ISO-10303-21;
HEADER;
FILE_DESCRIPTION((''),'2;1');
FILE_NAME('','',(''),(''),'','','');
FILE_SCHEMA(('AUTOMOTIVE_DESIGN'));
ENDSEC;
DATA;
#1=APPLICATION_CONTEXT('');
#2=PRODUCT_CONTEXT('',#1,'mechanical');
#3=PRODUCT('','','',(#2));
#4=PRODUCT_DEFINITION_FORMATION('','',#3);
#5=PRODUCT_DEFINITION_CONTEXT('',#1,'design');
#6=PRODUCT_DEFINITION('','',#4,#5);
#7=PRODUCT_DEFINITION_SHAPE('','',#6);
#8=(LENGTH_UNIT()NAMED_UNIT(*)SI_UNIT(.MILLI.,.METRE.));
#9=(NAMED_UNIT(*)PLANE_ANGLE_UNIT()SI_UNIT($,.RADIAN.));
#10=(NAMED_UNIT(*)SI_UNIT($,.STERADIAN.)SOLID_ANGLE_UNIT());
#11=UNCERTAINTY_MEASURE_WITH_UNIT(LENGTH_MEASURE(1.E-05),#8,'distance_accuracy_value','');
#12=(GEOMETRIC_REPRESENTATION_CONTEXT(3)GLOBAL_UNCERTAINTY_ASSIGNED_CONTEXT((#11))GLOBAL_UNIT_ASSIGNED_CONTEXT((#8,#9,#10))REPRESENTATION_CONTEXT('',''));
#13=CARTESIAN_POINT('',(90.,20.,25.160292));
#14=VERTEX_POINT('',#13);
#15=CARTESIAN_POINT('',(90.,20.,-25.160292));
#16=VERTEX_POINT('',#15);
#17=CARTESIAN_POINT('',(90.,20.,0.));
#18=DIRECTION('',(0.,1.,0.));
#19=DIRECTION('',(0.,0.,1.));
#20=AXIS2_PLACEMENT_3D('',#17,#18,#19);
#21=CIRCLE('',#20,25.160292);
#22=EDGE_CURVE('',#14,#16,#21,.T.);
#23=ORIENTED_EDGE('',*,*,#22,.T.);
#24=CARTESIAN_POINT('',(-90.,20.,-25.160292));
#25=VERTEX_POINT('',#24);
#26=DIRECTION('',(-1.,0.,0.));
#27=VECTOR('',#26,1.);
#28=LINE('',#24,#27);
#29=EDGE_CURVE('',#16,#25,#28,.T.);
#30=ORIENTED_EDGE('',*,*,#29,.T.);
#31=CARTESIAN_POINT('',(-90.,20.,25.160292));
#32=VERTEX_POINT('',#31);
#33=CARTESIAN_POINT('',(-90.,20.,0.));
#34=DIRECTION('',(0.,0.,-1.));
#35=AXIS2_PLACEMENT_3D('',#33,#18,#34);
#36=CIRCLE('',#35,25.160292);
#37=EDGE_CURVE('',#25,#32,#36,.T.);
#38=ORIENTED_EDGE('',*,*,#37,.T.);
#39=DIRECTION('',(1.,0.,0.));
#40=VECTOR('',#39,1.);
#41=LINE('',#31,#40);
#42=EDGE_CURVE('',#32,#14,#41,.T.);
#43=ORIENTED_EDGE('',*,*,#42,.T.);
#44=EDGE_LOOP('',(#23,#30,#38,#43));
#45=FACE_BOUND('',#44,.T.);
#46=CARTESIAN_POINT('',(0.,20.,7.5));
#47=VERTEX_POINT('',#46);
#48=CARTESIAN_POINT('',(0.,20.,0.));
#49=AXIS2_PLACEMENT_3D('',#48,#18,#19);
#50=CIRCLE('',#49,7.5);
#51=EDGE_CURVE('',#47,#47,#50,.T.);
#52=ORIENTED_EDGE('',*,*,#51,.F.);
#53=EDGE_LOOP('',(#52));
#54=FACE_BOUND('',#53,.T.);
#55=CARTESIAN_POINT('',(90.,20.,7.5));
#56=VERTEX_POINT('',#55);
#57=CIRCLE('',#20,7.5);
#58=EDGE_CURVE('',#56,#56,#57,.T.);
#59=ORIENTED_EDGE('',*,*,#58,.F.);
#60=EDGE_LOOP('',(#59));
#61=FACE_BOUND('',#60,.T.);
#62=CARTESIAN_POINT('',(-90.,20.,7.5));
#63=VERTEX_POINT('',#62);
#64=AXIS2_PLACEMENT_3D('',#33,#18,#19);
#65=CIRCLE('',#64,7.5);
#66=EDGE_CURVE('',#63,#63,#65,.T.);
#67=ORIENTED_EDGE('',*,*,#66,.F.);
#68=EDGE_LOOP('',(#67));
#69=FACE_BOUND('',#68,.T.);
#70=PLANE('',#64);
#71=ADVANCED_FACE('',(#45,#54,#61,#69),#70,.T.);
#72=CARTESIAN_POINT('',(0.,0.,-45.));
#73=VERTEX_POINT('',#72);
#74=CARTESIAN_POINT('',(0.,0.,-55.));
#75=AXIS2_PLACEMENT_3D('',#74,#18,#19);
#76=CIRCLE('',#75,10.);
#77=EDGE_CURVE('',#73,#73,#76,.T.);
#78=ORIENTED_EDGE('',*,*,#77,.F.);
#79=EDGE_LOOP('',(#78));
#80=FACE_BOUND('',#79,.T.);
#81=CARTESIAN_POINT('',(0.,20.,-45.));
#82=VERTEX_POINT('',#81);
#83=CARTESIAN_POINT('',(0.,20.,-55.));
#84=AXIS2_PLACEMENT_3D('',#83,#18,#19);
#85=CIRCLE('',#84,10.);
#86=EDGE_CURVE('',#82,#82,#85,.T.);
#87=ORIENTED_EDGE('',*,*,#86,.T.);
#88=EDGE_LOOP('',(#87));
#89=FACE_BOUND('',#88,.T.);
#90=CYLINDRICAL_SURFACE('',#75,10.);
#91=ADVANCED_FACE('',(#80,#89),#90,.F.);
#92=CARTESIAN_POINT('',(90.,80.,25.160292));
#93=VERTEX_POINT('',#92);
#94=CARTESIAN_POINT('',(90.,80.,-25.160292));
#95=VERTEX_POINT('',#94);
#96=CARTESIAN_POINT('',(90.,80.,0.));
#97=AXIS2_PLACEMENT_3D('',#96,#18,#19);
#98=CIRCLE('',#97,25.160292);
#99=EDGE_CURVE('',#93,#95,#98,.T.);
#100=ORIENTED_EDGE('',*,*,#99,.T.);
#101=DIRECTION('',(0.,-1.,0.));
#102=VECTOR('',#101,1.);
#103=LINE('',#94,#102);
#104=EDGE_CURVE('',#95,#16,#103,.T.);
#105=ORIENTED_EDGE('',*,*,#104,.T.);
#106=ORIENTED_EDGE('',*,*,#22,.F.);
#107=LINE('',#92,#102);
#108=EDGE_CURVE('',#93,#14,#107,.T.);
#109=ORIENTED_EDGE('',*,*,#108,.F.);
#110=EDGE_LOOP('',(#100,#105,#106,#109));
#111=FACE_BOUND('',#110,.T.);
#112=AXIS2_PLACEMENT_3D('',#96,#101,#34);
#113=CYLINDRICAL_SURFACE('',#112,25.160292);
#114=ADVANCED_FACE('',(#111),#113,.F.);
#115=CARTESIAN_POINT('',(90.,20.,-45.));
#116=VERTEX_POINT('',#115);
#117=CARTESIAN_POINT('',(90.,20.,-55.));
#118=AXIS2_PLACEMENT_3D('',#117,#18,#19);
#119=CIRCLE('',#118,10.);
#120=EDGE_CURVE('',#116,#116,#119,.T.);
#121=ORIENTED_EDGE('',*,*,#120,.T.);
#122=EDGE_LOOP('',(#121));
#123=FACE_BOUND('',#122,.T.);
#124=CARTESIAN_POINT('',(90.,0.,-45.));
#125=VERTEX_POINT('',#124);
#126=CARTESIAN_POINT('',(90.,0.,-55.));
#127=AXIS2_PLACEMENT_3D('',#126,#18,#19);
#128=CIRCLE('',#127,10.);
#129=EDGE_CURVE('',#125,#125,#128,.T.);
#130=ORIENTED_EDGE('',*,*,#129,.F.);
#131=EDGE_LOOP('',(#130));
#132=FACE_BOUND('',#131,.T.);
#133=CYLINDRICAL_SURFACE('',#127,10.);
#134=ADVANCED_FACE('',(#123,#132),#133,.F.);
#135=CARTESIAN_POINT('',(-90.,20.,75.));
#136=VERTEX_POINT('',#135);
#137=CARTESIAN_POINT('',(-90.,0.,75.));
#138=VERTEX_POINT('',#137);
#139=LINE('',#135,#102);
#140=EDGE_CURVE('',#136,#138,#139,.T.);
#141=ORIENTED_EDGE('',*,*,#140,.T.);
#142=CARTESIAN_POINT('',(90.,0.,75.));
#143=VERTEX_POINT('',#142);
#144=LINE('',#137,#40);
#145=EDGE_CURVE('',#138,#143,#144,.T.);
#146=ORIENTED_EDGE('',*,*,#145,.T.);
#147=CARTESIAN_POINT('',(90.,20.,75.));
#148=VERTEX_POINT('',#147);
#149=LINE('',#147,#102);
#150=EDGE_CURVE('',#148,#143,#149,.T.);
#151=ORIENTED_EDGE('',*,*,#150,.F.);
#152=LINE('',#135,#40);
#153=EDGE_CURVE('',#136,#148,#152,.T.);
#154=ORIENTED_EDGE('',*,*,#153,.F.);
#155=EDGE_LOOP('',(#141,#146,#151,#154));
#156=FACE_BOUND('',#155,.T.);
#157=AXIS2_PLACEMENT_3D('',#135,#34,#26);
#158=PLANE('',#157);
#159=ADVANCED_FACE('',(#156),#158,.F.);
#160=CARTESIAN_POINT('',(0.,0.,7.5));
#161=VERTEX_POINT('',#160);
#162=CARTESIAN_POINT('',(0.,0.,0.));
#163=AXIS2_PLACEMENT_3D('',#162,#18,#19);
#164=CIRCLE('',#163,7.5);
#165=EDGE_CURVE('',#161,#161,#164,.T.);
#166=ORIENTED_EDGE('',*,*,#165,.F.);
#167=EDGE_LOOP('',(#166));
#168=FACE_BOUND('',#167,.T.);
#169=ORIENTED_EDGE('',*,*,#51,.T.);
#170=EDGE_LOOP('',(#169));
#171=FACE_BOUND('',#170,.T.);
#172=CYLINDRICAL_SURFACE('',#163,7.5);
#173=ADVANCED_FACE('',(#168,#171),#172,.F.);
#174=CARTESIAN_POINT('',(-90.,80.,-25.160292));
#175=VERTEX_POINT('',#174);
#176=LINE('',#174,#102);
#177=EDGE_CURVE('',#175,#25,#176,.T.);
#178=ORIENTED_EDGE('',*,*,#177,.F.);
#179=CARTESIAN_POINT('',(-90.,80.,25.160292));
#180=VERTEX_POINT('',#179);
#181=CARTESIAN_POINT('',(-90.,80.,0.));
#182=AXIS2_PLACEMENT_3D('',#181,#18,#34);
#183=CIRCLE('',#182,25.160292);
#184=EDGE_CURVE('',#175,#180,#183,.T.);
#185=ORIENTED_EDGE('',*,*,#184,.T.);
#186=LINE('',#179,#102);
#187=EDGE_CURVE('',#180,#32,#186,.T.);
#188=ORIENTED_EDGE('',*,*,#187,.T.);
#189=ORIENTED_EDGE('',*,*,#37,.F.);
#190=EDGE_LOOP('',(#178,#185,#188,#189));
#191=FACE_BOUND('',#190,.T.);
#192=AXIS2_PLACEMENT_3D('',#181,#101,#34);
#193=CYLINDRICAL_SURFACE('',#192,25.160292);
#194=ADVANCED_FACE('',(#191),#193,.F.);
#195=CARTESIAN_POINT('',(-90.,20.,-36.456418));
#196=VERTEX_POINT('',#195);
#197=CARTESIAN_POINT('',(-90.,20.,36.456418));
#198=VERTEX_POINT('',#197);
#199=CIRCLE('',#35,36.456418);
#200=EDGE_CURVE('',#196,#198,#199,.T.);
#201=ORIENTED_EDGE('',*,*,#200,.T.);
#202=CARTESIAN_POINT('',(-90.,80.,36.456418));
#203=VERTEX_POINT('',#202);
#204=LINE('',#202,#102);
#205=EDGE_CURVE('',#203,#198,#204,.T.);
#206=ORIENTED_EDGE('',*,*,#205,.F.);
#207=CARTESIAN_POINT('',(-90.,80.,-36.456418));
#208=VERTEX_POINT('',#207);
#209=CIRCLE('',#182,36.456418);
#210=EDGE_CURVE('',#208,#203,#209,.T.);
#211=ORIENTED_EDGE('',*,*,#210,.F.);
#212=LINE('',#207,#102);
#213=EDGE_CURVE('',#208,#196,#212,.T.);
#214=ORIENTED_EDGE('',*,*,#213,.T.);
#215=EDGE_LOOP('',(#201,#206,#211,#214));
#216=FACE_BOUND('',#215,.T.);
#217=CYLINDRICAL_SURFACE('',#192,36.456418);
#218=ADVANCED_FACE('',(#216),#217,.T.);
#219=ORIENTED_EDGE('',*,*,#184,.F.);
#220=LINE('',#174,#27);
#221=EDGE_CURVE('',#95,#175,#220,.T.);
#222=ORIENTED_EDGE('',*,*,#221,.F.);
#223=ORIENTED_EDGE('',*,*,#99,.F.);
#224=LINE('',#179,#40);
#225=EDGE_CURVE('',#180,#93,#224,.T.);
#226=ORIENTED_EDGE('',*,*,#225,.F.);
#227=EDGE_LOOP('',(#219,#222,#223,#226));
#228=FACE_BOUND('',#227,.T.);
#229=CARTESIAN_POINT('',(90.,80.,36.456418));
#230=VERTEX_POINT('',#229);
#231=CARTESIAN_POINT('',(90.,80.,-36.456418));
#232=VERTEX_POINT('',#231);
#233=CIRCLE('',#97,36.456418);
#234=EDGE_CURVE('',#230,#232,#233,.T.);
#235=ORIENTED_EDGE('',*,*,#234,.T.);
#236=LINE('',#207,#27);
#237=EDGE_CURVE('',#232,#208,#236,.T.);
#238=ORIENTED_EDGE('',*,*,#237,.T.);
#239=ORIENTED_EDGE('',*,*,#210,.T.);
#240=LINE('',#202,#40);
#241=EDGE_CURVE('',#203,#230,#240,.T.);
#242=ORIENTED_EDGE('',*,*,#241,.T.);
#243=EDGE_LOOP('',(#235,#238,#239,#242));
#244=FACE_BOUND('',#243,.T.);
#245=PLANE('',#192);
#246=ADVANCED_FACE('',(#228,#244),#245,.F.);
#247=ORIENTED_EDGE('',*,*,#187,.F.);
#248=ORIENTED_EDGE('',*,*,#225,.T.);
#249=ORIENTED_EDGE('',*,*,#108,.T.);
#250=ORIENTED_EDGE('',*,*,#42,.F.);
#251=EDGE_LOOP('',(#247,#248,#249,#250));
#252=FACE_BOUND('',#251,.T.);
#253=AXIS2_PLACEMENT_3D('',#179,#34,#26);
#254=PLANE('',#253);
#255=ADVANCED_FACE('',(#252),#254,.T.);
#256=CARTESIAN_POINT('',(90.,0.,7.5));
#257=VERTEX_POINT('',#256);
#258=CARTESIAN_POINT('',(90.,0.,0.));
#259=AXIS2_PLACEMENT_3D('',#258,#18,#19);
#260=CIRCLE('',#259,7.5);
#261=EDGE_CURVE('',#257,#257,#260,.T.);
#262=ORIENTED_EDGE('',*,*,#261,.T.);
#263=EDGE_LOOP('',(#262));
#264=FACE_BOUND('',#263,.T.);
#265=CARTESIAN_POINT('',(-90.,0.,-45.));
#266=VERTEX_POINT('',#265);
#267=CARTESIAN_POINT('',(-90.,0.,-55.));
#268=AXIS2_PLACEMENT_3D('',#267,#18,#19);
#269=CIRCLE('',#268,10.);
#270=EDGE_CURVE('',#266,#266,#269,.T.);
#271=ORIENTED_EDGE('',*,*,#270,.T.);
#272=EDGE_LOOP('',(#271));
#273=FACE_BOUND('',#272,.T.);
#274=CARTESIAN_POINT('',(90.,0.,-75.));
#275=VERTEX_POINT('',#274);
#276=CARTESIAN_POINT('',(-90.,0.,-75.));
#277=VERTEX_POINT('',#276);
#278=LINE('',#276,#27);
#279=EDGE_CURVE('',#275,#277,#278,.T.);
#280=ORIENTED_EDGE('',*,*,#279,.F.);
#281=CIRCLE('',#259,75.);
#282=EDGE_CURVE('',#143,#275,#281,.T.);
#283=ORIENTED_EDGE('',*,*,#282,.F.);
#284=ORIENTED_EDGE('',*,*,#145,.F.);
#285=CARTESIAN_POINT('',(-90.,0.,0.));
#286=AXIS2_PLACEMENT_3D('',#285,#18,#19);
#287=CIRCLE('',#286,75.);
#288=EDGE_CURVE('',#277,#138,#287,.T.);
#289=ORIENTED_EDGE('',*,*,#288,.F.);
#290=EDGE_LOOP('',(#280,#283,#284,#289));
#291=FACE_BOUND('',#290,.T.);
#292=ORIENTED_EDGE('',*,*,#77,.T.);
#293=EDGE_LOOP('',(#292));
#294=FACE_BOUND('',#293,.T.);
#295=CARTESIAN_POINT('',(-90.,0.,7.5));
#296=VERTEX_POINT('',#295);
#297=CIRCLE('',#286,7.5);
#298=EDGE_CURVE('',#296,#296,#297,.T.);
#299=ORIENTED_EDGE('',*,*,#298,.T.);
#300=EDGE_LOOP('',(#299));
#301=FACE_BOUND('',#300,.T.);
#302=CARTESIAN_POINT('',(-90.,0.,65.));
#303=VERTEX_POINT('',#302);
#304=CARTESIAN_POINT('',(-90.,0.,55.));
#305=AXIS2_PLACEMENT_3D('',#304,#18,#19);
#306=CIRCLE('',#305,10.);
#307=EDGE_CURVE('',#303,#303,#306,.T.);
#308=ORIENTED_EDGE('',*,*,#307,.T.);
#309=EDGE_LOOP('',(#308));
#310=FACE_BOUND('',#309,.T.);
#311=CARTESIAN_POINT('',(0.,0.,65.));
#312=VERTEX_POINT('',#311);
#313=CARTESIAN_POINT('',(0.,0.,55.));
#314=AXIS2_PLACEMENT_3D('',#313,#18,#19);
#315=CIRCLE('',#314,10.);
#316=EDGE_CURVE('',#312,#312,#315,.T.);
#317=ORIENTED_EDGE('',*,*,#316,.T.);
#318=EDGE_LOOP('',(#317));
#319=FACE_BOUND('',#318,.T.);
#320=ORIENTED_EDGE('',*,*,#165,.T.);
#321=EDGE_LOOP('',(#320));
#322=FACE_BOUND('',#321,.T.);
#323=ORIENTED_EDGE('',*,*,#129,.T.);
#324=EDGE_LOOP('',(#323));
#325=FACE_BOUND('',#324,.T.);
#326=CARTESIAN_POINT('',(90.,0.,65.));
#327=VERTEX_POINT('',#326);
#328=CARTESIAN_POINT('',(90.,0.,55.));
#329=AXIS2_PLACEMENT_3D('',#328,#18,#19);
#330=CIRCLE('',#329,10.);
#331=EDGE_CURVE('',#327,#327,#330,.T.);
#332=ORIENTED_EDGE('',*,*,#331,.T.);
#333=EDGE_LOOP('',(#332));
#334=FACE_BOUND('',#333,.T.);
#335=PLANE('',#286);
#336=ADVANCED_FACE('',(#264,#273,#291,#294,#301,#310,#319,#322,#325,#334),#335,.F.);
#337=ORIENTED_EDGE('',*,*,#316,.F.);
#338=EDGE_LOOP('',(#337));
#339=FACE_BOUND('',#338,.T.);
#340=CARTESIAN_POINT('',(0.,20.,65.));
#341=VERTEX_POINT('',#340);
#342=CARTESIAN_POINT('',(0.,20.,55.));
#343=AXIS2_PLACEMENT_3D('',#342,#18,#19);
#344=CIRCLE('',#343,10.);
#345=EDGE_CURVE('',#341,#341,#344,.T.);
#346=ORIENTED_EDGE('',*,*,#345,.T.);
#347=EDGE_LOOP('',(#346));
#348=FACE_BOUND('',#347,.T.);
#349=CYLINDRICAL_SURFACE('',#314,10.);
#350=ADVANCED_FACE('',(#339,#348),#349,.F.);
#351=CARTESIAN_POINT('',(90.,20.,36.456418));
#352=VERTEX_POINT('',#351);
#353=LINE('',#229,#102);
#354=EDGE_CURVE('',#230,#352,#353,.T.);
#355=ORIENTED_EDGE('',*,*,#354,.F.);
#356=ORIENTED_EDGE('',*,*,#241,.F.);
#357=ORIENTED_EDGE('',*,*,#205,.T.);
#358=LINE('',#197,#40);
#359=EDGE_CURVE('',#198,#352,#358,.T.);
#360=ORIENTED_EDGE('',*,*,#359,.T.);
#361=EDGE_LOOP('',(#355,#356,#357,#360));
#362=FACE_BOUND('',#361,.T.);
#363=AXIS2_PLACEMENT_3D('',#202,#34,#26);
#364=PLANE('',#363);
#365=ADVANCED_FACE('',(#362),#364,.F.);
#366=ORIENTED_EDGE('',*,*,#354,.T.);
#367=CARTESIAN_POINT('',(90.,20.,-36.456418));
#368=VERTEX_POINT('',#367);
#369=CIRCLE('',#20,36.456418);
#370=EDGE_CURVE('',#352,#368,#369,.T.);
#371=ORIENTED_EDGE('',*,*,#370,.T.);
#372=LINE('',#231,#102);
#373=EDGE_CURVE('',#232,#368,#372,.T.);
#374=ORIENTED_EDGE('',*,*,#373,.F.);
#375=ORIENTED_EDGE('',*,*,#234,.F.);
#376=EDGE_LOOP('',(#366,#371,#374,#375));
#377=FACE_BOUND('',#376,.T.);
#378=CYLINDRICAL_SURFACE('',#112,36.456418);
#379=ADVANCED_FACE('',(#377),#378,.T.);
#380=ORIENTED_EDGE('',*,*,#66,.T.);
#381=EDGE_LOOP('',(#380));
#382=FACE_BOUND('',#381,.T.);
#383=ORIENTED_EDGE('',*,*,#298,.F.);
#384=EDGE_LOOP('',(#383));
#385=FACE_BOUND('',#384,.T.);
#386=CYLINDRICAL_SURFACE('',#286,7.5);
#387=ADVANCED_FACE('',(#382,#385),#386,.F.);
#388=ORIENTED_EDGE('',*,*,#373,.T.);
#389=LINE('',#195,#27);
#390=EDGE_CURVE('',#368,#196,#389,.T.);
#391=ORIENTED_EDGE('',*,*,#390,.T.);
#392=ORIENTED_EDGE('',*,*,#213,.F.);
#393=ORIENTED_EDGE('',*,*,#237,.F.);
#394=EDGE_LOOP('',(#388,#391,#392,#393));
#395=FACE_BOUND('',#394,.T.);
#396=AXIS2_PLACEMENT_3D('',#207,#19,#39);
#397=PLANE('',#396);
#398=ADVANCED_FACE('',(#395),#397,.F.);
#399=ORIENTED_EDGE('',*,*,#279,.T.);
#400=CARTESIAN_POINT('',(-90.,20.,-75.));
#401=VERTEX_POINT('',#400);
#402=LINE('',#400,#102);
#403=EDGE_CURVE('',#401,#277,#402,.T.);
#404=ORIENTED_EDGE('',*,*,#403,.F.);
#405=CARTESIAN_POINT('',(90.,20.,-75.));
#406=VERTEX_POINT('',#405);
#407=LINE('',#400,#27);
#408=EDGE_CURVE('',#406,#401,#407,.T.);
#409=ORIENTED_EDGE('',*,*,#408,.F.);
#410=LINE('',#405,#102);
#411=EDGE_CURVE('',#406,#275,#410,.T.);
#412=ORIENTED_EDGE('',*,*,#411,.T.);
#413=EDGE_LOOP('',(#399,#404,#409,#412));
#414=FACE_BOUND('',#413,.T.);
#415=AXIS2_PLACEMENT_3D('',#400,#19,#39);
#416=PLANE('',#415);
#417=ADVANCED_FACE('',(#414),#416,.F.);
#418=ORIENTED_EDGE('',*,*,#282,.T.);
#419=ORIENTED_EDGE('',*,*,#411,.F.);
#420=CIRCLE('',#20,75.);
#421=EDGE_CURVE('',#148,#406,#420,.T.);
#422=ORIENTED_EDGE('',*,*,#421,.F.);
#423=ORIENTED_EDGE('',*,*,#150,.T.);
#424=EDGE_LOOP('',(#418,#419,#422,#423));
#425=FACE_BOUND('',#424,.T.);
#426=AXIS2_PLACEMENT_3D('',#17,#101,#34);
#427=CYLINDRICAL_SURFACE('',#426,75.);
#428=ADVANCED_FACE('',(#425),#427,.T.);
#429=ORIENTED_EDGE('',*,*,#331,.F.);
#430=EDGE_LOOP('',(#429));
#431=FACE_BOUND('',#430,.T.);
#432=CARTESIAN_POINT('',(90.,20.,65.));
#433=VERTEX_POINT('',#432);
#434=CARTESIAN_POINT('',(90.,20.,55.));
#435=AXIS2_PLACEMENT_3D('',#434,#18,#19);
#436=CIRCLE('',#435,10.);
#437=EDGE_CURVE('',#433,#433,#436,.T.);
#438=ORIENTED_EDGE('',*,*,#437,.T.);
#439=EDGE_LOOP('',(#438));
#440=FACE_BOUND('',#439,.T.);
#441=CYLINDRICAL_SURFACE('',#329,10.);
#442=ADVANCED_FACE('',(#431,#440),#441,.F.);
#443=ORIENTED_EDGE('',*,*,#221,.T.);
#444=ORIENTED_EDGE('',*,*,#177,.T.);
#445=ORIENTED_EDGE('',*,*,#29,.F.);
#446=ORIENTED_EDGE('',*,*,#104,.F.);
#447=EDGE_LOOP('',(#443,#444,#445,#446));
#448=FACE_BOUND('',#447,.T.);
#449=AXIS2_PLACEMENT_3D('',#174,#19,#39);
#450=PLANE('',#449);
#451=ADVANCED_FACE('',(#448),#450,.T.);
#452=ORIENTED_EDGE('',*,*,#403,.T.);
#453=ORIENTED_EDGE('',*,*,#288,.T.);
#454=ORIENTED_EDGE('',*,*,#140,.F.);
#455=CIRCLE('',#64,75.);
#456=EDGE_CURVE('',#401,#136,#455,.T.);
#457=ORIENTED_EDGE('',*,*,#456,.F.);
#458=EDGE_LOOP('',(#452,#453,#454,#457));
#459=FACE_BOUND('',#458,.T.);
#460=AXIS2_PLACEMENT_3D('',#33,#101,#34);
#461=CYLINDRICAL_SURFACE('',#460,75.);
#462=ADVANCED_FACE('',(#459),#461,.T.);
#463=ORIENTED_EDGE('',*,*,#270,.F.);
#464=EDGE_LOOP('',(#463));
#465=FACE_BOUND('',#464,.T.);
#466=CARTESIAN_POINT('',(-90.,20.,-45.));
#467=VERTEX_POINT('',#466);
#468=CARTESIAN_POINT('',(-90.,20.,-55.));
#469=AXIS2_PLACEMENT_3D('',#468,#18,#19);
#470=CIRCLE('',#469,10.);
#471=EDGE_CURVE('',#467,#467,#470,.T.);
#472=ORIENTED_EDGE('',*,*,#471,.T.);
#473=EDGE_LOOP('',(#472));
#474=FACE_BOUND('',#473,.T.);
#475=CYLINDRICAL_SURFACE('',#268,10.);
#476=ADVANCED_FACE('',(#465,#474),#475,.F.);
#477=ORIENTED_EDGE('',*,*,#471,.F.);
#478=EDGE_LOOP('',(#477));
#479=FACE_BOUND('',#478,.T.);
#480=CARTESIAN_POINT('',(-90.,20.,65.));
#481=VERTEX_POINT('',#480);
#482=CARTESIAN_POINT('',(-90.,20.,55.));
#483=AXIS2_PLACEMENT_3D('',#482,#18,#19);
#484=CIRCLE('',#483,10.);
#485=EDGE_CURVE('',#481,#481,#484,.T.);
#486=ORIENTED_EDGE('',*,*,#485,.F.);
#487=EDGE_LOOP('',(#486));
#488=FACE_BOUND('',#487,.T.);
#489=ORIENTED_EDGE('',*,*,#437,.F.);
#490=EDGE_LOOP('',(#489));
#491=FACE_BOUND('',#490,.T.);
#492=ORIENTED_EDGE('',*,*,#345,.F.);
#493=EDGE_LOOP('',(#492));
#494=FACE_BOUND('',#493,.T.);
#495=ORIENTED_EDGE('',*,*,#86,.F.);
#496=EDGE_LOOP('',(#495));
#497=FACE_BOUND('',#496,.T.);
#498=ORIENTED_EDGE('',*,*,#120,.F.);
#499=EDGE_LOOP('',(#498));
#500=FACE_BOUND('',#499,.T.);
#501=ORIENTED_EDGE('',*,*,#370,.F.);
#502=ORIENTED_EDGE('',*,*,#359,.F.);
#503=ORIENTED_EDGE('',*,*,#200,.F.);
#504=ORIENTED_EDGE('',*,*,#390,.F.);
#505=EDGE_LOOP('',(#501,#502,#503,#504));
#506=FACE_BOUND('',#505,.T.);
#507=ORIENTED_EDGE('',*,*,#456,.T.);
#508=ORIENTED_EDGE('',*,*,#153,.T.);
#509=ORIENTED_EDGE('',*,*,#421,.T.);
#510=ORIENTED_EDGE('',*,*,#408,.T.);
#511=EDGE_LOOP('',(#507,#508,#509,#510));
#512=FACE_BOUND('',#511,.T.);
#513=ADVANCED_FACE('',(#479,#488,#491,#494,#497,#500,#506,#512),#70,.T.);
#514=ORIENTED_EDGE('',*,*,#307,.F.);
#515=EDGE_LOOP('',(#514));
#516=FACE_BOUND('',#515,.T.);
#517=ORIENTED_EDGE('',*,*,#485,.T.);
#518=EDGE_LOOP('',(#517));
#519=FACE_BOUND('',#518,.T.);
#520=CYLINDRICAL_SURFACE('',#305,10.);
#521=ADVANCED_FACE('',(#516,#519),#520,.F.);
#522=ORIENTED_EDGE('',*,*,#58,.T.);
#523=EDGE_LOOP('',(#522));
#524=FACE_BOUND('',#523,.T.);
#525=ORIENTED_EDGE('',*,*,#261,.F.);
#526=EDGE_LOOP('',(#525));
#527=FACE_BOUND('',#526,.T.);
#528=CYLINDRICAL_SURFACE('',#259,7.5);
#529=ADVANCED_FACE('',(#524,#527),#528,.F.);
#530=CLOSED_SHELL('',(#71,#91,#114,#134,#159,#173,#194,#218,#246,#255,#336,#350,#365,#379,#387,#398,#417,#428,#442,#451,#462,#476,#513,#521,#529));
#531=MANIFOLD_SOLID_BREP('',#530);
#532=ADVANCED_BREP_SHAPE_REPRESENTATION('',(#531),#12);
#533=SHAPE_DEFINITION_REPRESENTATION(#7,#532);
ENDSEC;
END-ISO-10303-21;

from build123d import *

# Parameters (mm, degrees)
BOSS_EXTRUDE1_DEPTH = 20
SKETCH2_R           = 10
CUT_EXTRUDE1_DEPTH  = 20
LPATTERN1_COUNT     = 3
LPATTERN1_PITCH     = 90
SKETCH4_R           = 10
CUT_EXTRUDE2_DEPTH  = 20
LPATTERN2_COUNT     = 3
LPATTERN2_PITCH     = 90
SKETCH5_R           = 7.5
CUT_EXTRUDE4_DEPTH  = 20
LPATTERN4_COUNT     = 3
LPATTERN4_PITCH     = 90
BOSS_EXTRUDE3_DEPTH = 60


with BuildPart() as part:
    # Sketch1 → Boss-Extrude1 (new body)
    with BuildSketch(Plane(origin=(0, 0, 0), x_dir=(1, 0, 0), z_dir=(0, 1, 0))):
        with BuildLine():
            Line((-90, -75), (90, -75))
            ThreePointArc((90, -75), (165, 0), (90, 75))
            Line((90, 75), (-90, 75))
            ThreePointArc((-90, 75), (-165, 0), (-90, -75))
        make_face()
    extrude(amount=BOSS_EXTRUDE1_DEPTH)

    # Sketch2 → Cut-Extrude1 (cut)
    with BuildSketch(Plane(origin=(0, 20, 0), x_dir=(1, 0, 0), z_dir=(0, 1, 0))):
        with Locations((-90, 55)):
            Circle(SKETCH2_R)
    cut_extrude1 = extrude(amount=-CUT_EXTRUDE1_DEPTH, mode=Mode.SUBTRACT)

    # LPattern1: Cut-Extrude1 ×3
    with Locations(*[(i * LPATTERN1_PITCH, 0, 0) for i in range(1, LPATTERN1_COUNT)]):
        add(cut_extrude1, mode=Mode.SUBTRACT)

    # Sketch4 → Cut-Extrude2 (cut)
    with BuildSketch(Plane(origin=(0, 20, 0), x_dir=(1, 0, 0), z_dir=(0, 1, 0))):
        with Locations((-90, -55)):
            Circle(SKETCH4_R)
    cut_extrude2 = extrude(amount=-CUT_EXTRUDE2_DEPTH, mode=Mode.SUBTRACT)

    # LPattern2: Cut-Extrude2 ×3
    with Locations(*[(i * LPATTERN2_PITCH, 0, 0) for i in range(1, LPATTERN2_COUNT)]):
        add(cut_extrude2, mode=Mode.SUBTRACT)

    # Sketch5 → Cut-Extrude4 (cut)
    with BuildSketch(Plane(origin=(0, 20, 0), x_dir=(1, 0, 0), z_dir=(0, 1, 0))):
        with Locations((-90, 0)):
            Circle(SKETCH5_R)
    cut_extrude4 = extrude(amount=-CUT_EXTRUDE4_DEPTH, mode=Mode.SUBTRACT)

    # LPattern4: Cut-Extrude4 ×3
    with Locations(*[(i * LPATTERN4_PITCH, 0, 0) for i in range(1, LPATTERN4_COUNT)]):
        add(cut_extrude4, mode=Mode.SUBTRACT)

    # Sketch6 → Boss-Extrude3 (add)
    with BuildSketch(Plane(origin=(0, 20, 0), x_dir=(1, 0, 0), z_dir=(0, 1, 0))):
        with BuildLine():
            Line((-90, 36.456417916), (90, 36.456417916))
            ThreePointArc((90, 36.456417916), (126.456417916, 0), (90, -36.456417916))
            Line((90, -36.456417916), (-90, -36.456417916))
            ThreePointArc((-90, -36.456417916), (-126.456417916, 0), (-90, 36.456417916))
        make_face()
        with BuildLine():
            Line((-90, 25.16029231), (90, 25.16029231))
            ThreePointArc((90, 25.16029231), (115.16029231, 0), (90, -25.16029231))
            Line((90, -25.16029231), (-90, -25.16029231))
            ThreePointArc((-90, -25.16029231), (-115.16029231, 0), (-90, 25.16029231))
        make_face(mode=Mode.SUBTRACT)
    extrude(amount=BOSS_EXTRUDE3_DEPTH)


solid = part.part
